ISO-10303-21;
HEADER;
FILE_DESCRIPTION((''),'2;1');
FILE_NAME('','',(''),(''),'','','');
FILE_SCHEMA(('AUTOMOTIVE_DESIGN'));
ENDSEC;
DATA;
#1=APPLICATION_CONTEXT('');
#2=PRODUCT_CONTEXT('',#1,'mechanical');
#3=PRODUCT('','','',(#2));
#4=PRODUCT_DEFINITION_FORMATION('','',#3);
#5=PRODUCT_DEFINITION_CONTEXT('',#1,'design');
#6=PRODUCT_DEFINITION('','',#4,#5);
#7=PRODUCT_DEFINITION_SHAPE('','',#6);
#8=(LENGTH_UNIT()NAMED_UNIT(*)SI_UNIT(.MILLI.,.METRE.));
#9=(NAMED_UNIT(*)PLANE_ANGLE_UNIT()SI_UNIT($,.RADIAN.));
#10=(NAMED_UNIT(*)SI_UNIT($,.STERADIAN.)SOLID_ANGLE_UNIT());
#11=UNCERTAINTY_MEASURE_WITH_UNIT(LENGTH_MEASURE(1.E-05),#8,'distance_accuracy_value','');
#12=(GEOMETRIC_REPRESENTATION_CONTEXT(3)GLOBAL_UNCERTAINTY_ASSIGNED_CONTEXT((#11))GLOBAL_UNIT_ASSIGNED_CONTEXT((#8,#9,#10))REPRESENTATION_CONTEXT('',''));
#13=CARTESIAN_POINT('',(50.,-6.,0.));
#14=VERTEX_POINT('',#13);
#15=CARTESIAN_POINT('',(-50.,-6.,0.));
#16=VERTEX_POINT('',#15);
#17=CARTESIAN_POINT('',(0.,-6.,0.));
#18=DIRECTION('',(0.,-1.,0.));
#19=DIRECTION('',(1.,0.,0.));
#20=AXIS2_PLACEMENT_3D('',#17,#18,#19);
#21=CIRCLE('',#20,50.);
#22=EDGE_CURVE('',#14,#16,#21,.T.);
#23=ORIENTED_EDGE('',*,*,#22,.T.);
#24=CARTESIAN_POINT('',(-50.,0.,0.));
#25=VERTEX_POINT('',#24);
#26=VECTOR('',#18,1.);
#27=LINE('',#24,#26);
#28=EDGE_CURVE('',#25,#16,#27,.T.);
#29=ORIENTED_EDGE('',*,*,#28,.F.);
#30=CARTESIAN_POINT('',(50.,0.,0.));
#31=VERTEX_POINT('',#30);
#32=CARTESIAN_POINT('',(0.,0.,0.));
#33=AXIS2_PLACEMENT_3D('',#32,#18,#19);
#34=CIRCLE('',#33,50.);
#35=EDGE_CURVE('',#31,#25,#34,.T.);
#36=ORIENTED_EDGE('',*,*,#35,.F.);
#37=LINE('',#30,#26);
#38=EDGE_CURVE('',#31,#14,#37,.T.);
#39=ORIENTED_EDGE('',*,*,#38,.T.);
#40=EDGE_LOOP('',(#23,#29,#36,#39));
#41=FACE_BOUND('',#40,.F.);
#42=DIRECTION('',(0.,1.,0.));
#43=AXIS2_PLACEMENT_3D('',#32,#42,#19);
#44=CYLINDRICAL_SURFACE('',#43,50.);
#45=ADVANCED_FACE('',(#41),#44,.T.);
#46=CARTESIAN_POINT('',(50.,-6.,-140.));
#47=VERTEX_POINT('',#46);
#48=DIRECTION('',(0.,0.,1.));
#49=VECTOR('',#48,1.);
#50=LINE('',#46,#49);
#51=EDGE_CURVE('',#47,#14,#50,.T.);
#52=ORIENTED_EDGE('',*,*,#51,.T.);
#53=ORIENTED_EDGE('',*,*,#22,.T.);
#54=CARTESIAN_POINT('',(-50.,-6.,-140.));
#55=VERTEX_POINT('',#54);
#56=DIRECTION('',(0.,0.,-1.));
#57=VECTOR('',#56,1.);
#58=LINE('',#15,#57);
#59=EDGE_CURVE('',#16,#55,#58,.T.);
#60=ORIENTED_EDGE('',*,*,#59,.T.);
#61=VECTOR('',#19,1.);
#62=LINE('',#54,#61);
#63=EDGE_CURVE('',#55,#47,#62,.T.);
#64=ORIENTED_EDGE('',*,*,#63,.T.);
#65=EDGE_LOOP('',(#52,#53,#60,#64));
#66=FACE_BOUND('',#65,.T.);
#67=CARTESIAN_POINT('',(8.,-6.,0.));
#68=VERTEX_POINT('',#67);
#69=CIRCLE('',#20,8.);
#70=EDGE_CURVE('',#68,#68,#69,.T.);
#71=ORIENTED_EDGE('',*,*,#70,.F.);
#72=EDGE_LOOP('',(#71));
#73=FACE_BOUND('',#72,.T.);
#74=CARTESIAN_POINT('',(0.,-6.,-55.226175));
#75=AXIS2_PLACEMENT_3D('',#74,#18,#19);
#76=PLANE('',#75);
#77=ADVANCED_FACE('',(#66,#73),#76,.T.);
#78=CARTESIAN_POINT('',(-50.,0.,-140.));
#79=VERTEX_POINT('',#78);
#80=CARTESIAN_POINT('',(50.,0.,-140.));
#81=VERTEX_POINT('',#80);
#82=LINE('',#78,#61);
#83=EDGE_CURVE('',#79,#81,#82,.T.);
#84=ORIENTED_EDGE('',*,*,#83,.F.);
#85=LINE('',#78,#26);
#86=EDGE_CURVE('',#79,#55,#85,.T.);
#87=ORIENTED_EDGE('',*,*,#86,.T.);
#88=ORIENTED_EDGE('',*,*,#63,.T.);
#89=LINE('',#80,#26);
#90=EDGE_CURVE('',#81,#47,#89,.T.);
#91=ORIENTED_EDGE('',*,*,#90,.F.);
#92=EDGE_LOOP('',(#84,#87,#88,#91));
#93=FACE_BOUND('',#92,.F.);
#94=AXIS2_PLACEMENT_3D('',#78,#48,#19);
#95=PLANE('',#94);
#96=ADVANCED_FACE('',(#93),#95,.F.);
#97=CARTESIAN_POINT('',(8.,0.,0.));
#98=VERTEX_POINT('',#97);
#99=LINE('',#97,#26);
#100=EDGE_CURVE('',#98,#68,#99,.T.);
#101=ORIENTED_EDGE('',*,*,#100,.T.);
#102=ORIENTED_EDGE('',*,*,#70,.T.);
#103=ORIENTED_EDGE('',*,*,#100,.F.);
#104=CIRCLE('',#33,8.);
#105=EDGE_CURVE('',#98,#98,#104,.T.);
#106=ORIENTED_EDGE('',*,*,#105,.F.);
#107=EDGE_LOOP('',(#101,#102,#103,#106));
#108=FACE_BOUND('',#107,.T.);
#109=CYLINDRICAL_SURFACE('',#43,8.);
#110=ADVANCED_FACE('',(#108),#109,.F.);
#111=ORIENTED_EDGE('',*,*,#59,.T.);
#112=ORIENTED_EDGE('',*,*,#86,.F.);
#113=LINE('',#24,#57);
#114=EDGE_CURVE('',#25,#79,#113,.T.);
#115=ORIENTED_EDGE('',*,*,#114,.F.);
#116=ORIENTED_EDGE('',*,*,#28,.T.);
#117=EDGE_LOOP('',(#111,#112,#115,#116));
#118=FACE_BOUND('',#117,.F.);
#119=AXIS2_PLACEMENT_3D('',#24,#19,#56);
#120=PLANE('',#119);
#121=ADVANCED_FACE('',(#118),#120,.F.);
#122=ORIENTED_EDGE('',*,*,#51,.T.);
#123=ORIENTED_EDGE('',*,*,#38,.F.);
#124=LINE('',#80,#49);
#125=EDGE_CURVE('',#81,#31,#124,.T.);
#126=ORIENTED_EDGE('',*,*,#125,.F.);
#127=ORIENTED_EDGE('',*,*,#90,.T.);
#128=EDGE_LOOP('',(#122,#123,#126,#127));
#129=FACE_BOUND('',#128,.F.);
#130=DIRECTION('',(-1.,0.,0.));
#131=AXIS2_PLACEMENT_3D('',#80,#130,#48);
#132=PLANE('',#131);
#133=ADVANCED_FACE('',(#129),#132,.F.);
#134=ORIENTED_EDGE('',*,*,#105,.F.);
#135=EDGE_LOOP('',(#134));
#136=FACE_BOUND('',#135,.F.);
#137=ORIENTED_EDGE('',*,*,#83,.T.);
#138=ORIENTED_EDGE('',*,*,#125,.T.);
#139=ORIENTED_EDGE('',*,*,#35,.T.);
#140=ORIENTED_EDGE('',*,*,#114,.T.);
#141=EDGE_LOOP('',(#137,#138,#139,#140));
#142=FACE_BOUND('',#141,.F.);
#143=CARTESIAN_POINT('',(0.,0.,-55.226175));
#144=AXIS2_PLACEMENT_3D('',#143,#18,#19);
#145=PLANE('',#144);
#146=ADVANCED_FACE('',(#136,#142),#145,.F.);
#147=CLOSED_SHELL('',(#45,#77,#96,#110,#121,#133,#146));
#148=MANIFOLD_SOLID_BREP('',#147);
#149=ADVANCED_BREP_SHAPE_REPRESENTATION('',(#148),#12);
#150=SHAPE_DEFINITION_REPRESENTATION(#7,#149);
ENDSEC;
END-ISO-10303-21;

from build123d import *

# Parameters (mm, degrees)
F0_R     = 8
F1_DEPTH = 6


with BuildPart() as f1:
    # F0 (on Front) → F1 (new body)
    with BuildSketch(Plane.XZ):
        with BuildLine():
            ThreePointArc((50, 0), (0, 50), (-50, 0))
            Line((-50, 0), (-50, -140))
            Line((-50, -140), (50, -140))
            Line((50, -140), (50, 0))
        make_face()
        Circle(F0_R, mode=Mode.SUBTRACT)
    extrude(amount=F1_DEPTH)


solid = f1.part
